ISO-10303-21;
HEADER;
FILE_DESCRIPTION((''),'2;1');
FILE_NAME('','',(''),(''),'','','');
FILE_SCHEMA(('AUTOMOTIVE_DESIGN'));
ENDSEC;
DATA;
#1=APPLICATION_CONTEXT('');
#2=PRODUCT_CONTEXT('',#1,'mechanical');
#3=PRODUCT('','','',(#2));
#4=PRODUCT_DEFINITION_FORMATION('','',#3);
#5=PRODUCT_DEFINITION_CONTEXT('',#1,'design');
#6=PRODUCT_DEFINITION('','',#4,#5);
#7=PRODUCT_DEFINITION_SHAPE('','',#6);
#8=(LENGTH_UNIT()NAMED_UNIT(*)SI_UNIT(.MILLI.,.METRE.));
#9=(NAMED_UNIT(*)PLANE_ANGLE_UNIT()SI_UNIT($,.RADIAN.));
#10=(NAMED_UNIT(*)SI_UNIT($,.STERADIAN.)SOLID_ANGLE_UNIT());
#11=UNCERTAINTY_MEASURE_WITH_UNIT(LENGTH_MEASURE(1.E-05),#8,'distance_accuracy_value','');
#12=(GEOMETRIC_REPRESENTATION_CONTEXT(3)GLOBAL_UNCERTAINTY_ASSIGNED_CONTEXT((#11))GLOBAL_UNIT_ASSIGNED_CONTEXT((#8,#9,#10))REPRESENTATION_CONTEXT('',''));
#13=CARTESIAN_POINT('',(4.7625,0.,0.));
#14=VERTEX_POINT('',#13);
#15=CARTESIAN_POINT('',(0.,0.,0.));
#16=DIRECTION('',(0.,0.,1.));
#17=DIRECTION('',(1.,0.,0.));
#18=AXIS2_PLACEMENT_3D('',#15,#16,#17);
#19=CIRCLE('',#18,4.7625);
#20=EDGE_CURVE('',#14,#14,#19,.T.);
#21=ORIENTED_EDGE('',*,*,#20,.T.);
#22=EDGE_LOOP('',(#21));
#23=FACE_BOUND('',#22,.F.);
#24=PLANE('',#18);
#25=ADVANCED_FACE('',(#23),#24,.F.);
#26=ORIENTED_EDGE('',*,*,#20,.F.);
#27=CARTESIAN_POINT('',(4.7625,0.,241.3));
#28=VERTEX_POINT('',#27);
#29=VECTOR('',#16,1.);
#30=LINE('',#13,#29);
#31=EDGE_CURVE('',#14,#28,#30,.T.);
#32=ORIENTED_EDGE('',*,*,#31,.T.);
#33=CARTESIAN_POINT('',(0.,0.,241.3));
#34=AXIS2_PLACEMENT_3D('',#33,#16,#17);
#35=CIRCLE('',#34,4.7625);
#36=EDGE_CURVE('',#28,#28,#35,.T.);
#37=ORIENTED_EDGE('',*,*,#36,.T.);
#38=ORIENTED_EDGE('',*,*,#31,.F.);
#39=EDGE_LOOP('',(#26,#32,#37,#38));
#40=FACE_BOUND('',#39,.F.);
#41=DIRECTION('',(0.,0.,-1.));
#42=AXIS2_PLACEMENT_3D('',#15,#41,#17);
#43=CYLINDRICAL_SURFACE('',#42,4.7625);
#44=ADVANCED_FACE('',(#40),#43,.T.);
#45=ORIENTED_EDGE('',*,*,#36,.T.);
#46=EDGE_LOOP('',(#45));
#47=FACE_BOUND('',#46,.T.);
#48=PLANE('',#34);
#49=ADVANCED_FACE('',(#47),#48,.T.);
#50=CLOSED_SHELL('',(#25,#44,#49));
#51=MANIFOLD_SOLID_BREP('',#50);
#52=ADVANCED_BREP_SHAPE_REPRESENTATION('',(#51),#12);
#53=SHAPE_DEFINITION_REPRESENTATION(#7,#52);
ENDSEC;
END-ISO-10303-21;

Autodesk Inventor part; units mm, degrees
ref_plane "YZ Plane" through (0, 0, 0) normal (1, 0, 0) x (0, 1, 0)
ref_plane "XZ Plane" through (0, 0, 0) normal (0, 1, 0) x (-1, 0, 0)
ref_plane "XY Plane" through (0, 0, 0) normal (0, 0, 1) x (1, 0, 0)
sketch "Sketch1" plane through (0, 0, 0) normal (0, 0, 1) x (1, 0, 0)
  circle A0 centre (0, 0) radius 4.7625
  dimension "d0" = 9.525
extrude "Extrusion1" add sketch "Sketch1" along normal blind 241.3
properties part number "Threaded rod" material "Aluminum 6061"
